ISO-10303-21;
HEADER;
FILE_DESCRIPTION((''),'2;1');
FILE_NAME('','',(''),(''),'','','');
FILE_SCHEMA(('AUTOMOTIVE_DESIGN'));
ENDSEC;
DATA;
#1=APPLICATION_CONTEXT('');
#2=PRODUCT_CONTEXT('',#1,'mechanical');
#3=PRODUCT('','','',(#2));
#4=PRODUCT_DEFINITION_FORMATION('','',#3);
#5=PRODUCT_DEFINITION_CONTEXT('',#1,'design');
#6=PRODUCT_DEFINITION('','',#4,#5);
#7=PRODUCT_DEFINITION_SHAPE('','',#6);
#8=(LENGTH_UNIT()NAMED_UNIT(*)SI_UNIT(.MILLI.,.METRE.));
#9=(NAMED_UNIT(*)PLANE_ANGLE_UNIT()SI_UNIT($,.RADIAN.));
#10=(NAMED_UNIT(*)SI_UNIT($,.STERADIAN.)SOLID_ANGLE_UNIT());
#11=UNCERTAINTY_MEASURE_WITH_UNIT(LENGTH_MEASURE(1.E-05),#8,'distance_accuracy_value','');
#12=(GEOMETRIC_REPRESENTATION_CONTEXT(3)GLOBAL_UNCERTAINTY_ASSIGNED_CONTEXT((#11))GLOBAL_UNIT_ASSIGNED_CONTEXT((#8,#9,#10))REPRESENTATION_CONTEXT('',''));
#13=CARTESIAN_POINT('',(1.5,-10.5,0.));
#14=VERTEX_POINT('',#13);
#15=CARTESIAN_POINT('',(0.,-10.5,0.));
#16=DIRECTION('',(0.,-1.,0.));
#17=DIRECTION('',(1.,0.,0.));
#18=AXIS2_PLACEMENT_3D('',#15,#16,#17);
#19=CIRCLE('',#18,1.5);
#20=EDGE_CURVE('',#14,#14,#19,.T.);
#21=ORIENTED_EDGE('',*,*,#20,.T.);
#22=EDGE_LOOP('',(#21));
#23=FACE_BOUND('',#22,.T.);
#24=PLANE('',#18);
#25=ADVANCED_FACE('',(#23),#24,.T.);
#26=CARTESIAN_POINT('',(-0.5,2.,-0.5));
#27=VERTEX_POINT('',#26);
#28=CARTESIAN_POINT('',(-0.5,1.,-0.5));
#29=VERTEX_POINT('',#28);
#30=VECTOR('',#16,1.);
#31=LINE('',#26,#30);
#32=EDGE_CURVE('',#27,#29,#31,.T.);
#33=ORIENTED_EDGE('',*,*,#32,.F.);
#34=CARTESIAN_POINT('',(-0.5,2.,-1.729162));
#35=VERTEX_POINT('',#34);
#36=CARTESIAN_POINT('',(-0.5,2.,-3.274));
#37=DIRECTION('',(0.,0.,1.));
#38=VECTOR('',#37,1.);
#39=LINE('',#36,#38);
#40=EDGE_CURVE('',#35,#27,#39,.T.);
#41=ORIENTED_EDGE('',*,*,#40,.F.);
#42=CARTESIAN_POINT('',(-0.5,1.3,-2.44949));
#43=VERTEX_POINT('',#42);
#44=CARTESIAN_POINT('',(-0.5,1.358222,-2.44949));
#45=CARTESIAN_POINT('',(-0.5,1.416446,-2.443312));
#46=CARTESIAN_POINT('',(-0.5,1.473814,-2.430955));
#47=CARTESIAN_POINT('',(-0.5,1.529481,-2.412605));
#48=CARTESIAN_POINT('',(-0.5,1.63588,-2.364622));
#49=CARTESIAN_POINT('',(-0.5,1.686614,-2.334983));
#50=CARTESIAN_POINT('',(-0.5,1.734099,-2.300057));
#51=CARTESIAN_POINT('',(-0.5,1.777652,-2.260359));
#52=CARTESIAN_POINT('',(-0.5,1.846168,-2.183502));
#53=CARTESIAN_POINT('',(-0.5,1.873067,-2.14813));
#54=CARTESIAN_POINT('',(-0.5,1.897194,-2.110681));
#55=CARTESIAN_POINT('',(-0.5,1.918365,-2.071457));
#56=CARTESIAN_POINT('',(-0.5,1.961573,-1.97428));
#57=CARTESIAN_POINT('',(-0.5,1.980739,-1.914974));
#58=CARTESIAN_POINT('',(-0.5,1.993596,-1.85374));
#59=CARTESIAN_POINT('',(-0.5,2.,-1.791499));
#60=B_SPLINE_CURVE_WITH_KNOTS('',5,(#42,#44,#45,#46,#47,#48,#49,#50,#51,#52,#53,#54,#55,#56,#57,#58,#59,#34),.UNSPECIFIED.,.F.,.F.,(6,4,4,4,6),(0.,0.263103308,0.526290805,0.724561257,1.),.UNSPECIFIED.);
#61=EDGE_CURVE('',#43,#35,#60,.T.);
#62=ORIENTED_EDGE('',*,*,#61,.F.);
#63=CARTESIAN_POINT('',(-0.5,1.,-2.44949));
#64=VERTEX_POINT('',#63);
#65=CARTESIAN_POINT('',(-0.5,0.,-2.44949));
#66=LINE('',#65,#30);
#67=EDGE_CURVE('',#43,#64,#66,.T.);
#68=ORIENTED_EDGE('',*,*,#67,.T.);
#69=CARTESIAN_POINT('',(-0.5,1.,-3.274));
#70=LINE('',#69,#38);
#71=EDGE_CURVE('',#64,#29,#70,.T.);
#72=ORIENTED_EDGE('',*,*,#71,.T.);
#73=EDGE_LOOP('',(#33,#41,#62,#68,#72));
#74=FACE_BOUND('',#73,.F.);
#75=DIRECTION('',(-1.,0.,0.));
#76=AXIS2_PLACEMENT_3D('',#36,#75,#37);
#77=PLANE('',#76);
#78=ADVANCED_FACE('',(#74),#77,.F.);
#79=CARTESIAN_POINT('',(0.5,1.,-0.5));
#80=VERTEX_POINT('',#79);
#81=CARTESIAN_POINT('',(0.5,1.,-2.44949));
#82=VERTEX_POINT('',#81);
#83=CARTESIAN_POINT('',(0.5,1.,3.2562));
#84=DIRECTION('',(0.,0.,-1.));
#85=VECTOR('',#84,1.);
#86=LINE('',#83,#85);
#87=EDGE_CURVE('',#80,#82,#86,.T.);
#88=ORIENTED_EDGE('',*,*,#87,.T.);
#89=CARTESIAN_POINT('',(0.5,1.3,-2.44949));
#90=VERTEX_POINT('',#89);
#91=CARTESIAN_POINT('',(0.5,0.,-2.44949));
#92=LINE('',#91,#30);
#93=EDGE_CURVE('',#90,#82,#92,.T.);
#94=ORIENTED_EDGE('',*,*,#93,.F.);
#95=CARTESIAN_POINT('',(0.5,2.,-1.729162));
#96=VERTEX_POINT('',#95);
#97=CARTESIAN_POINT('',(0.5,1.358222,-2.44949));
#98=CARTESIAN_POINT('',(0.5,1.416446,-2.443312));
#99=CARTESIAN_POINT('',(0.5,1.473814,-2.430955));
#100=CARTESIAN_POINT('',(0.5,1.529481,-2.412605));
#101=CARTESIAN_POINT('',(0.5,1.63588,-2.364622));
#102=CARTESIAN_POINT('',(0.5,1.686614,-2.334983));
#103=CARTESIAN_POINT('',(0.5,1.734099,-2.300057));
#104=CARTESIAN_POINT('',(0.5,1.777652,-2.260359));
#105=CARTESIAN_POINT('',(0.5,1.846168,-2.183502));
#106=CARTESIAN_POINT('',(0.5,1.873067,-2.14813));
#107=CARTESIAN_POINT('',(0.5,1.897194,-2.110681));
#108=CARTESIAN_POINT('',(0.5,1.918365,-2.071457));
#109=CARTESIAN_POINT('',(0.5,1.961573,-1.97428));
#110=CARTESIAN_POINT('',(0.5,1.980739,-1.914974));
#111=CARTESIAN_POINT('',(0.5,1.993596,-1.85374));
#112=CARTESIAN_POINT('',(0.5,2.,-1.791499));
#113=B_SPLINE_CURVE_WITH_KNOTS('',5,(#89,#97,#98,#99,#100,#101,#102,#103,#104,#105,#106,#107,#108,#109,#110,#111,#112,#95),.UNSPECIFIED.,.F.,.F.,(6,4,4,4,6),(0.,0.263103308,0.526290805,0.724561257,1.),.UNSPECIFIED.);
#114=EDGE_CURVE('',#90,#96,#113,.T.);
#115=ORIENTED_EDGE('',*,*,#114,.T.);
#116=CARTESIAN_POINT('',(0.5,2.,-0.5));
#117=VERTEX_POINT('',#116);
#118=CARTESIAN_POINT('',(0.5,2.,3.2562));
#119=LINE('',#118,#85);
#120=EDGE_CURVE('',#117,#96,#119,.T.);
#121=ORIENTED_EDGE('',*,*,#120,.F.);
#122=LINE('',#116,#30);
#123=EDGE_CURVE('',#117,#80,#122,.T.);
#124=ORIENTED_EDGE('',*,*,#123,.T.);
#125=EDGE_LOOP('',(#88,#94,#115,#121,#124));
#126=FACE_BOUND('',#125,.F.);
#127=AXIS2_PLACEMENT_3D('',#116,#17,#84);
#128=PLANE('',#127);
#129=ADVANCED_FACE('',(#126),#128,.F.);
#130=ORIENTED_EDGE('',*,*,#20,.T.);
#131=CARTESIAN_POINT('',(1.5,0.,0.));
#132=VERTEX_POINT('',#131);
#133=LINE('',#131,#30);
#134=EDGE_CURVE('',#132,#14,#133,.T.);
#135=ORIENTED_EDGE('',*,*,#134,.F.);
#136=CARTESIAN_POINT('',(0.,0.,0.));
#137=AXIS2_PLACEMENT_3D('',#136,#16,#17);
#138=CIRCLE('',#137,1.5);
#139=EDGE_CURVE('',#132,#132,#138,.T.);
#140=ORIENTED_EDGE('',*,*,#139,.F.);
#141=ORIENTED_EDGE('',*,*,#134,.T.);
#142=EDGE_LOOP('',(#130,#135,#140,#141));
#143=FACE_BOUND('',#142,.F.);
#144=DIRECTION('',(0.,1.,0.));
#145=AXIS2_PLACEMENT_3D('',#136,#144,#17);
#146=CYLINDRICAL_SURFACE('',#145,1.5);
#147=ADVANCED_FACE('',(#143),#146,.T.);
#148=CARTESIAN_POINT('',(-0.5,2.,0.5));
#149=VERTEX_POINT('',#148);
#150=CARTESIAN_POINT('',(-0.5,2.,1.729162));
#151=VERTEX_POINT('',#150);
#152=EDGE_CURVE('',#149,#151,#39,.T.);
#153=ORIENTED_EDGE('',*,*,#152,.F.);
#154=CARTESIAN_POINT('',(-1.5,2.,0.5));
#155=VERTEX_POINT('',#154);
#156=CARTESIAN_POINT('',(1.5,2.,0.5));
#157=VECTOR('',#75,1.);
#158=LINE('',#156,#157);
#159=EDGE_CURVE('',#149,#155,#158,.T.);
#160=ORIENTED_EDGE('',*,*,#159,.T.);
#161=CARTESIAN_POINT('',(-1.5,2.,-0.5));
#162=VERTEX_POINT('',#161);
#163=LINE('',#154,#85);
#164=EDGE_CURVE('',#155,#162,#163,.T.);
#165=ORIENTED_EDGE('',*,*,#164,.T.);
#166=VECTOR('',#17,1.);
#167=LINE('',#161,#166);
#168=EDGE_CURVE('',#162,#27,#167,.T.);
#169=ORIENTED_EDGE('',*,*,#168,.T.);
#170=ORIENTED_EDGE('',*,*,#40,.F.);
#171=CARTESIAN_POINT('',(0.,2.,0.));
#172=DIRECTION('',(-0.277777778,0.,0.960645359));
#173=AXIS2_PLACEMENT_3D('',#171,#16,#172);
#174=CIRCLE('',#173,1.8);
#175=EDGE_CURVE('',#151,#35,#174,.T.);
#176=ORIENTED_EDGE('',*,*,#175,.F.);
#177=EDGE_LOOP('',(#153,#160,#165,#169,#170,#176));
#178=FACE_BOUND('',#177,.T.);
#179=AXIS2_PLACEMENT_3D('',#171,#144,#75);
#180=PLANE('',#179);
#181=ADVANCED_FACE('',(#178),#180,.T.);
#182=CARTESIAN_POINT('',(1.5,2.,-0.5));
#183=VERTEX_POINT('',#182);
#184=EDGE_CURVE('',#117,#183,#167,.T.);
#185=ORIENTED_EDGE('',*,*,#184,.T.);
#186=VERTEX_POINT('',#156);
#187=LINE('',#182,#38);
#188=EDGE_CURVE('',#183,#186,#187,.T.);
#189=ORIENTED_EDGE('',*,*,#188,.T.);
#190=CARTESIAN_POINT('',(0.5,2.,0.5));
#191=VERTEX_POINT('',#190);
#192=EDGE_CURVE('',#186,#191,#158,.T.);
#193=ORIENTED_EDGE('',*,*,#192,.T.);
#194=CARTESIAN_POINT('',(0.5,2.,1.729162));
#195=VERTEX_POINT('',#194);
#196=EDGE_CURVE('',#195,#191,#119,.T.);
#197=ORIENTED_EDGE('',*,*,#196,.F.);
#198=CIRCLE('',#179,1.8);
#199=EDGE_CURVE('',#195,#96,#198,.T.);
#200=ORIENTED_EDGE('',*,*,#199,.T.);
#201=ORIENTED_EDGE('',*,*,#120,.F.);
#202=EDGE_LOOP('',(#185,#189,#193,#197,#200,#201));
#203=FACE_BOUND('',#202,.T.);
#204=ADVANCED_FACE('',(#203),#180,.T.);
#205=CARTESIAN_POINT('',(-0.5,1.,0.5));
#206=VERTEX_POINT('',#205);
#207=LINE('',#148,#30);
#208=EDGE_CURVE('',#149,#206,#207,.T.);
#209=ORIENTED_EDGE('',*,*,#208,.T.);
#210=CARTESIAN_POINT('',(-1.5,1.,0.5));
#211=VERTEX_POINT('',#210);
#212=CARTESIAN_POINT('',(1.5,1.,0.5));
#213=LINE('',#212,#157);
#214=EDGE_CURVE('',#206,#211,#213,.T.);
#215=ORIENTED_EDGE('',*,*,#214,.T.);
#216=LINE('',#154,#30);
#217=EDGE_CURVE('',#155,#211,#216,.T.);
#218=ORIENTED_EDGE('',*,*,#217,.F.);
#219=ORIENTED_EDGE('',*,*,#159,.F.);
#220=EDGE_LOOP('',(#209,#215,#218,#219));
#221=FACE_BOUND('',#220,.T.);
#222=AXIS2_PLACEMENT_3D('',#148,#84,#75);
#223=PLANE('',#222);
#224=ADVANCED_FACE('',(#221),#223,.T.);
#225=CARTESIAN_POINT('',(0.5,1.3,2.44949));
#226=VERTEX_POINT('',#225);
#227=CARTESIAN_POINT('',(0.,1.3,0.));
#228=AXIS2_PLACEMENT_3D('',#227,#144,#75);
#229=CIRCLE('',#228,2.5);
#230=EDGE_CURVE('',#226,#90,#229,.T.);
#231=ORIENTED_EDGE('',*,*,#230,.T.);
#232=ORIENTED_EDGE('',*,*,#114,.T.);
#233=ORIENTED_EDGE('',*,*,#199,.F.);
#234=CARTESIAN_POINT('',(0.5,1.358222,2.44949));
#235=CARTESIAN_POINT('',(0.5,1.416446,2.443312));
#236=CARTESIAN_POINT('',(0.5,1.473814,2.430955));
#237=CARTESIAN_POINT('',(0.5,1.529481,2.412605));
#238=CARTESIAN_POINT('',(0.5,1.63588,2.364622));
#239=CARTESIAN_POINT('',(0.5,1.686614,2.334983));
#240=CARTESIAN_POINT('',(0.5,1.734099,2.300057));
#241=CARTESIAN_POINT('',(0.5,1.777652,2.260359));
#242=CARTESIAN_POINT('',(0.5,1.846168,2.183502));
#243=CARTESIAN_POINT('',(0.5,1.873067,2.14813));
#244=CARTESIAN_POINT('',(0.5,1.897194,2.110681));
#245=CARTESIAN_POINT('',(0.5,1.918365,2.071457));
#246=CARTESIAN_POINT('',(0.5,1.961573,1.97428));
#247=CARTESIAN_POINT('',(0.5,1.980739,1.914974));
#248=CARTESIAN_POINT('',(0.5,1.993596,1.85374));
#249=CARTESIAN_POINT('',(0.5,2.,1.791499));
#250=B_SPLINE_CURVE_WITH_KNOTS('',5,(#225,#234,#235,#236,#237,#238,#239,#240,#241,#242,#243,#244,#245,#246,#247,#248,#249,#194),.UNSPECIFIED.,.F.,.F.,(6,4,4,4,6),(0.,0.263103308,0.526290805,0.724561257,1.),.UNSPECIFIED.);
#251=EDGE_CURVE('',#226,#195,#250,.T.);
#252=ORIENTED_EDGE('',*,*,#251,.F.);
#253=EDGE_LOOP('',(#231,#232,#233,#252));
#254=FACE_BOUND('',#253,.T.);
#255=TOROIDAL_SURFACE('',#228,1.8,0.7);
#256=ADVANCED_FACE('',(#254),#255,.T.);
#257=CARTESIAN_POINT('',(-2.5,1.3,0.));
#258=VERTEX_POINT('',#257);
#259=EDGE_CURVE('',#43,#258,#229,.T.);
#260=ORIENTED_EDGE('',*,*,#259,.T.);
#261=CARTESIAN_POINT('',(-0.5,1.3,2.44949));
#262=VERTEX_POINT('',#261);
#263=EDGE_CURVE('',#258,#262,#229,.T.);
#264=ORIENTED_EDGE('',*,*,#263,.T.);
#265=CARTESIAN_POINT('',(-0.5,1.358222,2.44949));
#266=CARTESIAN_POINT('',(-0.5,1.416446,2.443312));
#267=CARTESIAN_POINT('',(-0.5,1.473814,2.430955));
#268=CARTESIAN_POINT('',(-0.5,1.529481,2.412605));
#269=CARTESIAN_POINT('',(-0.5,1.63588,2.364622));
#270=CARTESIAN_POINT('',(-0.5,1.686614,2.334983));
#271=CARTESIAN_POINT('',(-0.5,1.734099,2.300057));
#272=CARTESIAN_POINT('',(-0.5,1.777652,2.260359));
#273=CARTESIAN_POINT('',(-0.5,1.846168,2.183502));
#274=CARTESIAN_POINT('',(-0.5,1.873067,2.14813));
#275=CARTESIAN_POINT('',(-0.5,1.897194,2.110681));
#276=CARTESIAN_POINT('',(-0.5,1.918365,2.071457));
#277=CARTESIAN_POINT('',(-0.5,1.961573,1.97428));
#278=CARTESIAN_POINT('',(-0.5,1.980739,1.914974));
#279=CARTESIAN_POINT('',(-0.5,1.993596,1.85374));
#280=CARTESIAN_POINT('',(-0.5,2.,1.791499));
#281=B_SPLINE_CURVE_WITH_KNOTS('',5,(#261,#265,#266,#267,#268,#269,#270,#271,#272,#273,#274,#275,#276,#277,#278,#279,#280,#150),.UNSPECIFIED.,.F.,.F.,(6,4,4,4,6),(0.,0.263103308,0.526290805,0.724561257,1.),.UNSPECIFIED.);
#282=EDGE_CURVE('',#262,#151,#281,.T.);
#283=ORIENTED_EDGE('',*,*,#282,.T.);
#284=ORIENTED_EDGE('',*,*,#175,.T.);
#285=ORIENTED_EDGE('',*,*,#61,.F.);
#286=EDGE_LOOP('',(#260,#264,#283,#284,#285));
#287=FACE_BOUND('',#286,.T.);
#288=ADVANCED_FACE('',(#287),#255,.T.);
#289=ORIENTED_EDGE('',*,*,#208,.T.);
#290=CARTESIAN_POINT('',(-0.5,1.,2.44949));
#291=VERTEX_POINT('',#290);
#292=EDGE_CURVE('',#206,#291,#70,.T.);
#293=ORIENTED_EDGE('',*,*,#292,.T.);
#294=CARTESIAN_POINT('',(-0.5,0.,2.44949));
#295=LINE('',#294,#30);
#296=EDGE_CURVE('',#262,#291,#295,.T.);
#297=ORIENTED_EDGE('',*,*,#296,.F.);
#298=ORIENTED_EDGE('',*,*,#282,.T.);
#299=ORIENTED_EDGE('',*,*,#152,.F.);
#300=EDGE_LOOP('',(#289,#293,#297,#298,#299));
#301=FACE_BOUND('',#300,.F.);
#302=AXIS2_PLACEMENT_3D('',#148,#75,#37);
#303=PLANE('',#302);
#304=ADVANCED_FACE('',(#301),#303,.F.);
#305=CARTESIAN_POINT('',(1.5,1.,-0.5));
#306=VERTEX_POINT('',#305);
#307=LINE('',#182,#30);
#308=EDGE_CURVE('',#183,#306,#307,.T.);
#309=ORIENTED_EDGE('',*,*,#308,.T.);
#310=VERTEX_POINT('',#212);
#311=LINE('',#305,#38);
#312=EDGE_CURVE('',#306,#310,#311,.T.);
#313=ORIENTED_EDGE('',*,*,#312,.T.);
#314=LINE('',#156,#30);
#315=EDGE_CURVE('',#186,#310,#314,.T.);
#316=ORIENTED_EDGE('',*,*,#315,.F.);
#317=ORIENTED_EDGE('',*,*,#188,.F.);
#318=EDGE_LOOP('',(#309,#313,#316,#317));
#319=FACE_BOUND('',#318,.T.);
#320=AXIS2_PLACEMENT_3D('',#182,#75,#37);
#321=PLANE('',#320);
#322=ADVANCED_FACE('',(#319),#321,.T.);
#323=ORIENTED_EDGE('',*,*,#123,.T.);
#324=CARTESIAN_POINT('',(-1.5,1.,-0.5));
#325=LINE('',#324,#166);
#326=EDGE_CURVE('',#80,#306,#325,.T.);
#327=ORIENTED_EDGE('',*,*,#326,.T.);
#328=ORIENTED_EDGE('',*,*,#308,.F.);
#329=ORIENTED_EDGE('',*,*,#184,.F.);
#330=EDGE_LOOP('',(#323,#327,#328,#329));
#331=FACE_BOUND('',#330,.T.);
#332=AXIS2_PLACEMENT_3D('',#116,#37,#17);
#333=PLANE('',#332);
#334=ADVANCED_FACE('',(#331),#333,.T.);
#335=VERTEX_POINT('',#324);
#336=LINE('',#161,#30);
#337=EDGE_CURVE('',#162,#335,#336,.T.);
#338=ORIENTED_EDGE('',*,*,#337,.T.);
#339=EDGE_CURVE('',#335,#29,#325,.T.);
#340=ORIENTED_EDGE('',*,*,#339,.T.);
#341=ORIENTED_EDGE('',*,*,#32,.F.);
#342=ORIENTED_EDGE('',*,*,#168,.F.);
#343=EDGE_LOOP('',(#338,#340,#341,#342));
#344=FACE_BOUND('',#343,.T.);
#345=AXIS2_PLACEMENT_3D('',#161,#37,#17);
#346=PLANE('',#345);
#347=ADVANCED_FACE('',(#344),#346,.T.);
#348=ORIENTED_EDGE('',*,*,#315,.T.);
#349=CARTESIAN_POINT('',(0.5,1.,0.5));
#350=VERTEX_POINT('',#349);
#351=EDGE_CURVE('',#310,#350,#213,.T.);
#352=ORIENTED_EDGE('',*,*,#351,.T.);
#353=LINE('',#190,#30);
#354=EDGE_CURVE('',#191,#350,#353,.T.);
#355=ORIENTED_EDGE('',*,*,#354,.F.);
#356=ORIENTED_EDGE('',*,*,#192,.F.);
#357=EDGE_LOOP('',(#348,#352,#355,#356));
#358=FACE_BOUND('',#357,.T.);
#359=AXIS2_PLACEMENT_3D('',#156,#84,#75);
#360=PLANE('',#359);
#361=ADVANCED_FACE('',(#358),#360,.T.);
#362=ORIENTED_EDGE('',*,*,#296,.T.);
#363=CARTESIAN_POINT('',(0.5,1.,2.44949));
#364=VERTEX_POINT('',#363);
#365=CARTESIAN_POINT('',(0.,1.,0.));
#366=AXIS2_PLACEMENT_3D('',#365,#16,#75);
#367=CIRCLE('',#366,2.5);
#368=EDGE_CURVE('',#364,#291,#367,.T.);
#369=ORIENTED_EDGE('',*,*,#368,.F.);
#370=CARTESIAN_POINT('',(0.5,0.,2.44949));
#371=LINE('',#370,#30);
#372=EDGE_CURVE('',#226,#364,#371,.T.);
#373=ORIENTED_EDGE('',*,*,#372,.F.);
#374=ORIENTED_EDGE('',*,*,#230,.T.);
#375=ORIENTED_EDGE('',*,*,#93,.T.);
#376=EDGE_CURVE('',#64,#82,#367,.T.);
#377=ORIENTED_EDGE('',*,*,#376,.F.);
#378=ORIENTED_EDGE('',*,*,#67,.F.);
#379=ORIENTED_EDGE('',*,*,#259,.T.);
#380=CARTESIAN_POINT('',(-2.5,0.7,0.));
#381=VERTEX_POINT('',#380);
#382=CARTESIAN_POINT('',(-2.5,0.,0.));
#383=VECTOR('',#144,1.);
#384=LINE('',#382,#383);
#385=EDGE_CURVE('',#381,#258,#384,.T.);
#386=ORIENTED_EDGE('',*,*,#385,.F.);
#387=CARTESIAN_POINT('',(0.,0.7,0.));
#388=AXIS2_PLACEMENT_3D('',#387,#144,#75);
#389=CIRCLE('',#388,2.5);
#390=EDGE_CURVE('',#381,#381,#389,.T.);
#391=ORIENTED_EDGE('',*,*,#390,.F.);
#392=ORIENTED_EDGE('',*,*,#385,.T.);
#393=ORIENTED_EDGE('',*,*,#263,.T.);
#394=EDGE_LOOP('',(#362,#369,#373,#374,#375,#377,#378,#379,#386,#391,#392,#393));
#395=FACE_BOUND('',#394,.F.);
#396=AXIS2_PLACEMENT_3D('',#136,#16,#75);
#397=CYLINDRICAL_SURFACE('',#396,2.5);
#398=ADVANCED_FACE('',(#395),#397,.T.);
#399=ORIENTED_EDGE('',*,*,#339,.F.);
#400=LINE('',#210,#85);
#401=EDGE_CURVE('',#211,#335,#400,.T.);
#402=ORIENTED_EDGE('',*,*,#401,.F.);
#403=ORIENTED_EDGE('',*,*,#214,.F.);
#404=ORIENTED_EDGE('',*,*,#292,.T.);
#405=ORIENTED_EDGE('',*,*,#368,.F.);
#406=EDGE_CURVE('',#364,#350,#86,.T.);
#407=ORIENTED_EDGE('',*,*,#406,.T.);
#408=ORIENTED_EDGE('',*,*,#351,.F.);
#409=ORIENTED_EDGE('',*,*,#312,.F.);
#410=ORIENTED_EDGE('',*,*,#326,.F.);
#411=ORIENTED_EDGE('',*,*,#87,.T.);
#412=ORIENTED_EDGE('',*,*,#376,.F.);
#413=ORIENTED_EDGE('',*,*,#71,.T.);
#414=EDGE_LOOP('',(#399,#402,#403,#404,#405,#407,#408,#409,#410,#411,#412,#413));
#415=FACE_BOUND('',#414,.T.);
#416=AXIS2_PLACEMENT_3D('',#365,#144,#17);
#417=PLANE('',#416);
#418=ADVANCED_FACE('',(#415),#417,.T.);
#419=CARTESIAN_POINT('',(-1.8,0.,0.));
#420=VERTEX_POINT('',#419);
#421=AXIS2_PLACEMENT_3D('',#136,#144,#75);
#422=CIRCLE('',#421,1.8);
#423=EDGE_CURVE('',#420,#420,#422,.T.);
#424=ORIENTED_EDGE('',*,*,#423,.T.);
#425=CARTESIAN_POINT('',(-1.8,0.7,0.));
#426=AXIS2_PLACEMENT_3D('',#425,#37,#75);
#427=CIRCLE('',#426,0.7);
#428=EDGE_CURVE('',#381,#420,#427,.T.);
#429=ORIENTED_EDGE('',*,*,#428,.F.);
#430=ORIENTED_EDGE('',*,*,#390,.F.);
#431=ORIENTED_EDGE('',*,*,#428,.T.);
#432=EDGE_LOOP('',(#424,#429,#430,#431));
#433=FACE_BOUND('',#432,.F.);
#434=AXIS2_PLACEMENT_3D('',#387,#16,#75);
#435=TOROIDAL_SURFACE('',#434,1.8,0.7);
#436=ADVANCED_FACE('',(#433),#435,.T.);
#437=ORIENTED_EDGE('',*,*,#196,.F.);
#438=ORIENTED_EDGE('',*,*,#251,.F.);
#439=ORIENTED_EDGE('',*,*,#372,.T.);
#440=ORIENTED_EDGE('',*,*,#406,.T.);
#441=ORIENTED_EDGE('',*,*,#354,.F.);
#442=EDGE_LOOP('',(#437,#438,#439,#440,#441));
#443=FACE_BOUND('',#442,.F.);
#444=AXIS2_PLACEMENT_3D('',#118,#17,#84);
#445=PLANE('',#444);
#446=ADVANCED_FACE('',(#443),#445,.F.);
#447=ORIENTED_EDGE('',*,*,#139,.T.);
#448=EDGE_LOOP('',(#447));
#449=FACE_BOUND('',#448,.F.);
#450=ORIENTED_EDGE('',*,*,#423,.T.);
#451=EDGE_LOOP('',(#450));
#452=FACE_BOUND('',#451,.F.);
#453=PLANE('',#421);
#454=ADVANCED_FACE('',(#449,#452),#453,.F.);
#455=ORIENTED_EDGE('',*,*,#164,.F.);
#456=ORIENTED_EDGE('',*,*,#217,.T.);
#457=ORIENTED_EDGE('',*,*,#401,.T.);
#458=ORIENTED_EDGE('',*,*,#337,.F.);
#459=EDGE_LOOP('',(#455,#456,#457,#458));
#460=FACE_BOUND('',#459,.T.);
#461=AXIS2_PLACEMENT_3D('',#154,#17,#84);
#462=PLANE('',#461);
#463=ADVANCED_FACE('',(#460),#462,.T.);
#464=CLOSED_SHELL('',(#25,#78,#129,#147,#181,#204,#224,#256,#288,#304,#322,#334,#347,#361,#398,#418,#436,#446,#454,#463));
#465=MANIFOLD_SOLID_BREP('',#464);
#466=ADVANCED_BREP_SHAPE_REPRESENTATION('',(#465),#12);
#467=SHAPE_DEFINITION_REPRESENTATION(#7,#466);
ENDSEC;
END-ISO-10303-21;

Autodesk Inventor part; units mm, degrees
ref_plane "YZ Plane" through (0, 0, 0) normal (1, 0, 0) x (0, 1, 0)
ref_plane "XZ Plane" through (0, 0, 0) normal (0, 1, 0) x (-1, 0, 0)
ref_plane "XY Plane" through (0, 0, 0) normal (0, 0, 1) x (1, 0, 0)
sketch "Skizze1" plane through (0, 0, 0) normal (0, 1, 0) x (-1, 0, 0)
  circle A0 centre (0, 0) radius 2.5
  dimension "d0" = 5
extrude "Extrusion1" add sketch "Skizze1" along normal blind 2
sketch "Skizze2" plane through (0, 2, 0) normal (0, 1, 0) x (1, 0, 0)
  line L0 (-0.5, -3.2562) -> (0.5, -3.2562)
  line L1 (0.5, -3.2562) -> (0.5, 3.274)
  line L2 (0.5, 3.274) -> (-0.5, 3.274)
  line L3 (-0.5, 3.274) -> (-0.5, -3.2562)
  line L4 (1.5, -0.5) -> (-1.5, -0.5)
  line L5 (-1.5, -0.5) -> (-1.5, 0.5)
  line L6 (-1.5, 0.5) -> (1.5, 0.5)
  line L7 (1.5, 0.5) -> (1.5, -0.5)
  point P0 (0, 0)
  dimension "d3" = 1
  dimension "d4" = 1
  dimension "d5" = 0.5
  dimension "d6" = 0.5
  dimension "d7" = 3
  dimension "d8" = 1.5
fillet "Rundung1" radius 0.7 2 edges at (2.5, 2, 0) (2.5, 0, 0)
extrude "Extrusion2" cut sketch "Skizze2" against normal blind 1
sketch "Skizze3" plane through (0, 0, 0) normal (0, -1, 0) x (1, 0, 0)
  circle A0 centre (0, 0) radius 1.5
  dimension "d12" = 3
extrude "Extrusion3" add sketch "Skizze3" along normal blind 10.5
properties part number "Schraube"
